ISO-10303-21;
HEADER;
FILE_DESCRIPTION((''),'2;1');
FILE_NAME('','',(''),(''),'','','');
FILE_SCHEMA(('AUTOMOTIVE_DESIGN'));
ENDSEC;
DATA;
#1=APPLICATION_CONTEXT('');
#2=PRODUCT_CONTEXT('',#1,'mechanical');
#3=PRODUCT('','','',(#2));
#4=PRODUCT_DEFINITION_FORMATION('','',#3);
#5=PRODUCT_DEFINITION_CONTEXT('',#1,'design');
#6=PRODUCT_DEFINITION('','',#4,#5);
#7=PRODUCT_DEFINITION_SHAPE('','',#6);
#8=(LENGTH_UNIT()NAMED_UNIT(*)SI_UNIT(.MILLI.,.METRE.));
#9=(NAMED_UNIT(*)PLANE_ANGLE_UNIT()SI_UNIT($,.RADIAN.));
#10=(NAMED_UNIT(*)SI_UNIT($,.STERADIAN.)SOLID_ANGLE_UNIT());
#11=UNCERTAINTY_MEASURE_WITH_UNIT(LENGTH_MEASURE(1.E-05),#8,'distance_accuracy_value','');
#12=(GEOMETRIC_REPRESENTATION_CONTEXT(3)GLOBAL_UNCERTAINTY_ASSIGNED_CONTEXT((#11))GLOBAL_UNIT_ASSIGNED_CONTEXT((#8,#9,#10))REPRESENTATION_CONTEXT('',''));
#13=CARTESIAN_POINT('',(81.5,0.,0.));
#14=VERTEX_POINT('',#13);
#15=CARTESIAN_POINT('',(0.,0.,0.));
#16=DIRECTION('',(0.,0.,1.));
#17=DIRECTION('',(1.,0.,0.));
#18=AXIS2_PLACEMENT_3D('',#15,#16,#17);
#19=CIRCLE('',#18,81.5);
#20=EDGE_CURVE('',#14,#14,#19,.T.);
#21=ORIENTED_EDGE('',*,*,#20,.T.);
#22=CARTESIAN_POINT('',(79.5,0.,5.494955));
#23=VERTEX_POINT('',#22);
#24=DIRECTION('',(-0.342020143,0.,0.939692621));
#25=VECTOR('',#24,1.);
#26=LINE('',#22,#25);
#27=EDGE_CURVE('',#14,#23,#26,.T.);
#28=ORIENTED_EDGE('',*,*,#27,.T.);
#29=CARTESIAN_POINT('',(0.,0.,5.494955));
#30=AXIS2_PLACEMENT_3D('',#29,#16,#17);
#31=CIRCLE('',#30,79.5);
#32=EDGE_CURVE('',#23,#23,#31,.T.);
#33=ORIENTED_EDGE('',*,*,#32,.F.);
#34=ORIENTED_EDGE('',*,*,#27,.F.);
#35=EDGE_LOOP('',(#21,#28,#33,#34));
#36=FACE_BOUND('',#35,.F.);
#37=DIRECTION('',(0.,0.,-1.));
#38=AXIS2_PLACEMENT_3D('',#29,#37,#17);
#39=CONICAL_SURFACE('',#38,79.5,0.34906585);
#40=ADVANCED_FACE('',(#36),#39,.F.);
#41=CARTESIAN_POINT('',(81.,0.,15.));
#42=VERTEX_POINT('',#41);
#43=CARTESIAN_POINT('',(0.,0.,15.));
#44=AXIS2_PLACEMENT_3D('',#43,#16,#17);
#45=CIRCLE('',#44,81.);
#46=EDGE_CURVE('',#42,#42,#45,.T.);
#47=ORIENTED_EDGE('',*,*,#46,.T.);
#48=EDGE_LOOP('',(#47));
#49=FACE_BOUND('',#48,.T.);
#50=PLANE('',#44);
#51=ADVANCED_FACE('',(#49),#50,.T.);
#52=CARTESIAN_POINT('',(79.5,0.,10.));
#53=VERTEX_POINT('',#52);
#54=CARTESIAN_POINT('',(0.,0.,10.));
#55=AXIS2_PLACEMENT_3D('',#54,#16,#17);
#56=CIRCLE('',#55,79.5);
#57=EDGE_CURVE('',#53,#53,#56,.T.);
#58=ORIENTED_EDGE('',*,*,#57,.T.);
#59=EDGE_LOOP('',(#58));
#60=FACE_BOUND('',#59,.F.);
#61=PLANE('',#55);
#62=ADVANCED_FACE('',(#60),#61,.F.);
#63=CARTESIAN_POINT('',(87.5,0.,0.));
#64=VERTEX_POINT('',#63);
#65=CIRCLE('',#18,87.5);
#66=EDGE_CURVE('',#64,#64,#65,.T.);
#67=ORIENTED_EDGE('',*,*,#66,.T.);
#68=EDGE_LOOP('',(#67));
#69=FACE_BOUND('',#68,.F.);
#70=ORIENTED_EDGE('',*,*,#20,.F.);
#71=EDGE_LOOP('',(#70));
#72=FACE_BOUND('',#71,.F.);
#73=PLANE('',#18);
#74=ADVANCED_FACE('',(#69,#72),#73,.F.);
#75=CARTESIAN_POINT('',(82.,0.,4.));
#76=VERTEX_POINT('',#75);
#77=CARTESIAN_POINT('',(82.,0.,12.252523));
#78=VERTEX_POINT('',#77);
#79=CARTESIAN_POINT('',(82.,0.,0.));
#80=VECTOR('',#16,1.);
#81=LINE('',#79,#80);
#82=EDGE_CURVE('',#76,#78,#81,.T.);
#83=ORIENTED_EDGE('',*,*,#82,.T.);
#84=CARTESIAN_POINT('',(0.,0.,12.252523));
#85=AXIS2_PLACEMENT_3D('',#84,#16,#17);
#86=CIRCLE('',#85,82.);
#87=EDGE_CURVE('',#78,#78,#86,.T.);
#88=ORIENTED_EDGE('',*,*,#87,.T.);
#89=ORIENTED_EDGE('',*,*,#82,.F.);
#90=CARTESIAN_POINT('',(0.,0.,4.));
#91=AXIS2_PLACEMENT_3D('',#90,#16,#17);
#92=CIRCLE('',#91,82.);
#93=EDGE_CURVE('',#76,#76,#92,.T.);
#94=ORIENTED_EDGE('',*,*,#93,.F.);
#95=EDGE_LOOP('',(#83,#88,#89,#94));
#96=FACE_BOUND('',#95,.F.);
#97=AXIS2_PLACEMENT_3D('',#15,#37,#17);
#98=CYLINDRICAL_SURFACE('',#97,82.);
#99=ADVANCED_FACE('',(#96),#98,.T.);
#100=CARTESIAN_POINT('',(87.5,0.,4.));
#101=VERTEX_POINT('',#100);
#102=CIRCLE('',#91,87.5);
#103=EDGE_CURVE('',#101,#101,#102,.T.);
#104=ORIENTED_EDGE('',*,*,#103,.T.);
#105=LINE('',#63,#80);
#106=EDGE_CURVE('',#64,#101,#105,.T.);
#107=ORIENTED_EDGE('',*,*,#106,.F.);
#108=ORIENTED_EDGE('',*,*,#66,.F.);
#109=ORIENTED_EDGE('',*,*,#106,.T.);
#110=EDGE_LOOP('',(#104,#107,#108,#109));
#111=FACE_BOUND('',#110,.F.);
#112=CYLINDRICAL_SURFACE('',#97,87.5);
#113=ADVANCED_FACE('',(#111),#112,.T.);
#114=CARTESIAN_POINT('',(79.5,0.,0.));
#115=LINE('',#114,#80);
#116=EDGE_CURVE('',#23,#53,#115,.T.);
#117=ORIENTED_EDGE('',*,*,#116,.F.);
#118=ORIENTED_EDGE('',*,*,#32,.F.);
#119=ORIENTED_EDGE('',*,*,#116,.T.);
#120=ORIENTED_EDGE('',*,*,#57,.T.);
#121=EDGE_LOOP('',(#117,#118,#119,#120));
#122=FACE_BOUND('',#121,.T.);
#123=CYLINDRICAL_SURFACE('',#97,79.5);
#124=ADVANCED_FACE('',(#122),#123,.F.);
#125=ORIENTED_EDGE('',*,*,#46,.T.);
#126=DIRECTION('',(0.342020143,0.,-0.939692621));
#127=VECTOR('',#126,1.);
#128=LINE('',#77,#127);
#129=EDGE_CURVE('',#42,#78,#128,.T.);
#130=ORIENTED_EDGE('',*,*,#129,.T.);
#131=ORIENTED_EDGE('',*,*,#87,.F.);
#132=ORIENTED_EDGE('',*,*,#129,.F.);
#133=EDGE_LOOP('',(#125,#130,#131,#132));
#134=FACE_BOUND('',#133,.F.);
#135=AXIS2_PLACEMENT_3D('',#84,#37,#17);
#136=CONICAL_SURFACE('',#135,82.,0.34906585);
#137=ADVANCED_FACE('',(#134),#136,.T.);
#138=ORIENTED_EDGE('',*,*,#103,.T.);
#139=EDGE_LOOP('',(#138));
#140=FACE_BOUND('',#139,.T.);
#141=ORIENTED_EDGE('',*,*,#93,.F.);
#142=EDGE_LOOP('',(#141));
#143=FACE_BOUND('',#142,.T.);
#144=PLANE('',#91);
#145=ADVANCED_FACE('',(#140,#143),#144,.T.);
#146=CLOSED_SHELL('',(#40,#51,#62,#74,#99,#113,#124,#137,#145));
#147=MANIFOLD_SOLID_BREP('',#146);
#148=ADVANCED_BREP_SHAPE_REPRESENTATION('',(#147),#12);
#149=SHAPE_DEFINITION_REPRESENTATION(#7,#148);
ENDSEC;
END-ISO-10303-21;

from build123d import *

# Parameters (mm, degrees)
F1_START = 10
F0_R     = 79.5
F1_DEPTH = 5
F0_R_2   = 82
F2_DEPTH = 15
F0_R_3   = 87.5
F3_DEPTH = 4
F4_SIZE2 = 2.7474774195
F4_SIZE  = 1
F5_SIZE2 = 5.4949548389
F5_SIZE  = 2


with BuildPart() as f1:
    # F0 (on Top) → F1 (new body)
    with BuildSketch(Plane.XY.offset(F1_START)):
        Circle(F0_R)
    extrude(amount=F1_DEPTH)

    # F0 (on Top) → F2 (join)
    with BuildSketch(Plane.XY):
        Circle(F0_R_2)
        Circle(F0_R, mode=Mode.SUBTRACT)
    extrude(amount=F2_DEPTH)

    # F0 (on Top) → F3 (join)
    with BuildSketch(Plane.XY):
        Circle(F0_R_3)
        Circle(F0_R_2, mode=Mode.SUBTRACT)
    extrude(amount=F3_DEPTH)

    # F4
    f4_edges = [f1.edges().sort_by_distance(p)[0] for p in [
        (-82, 0, 15),
    ]]
    f4_side = f1.faces().sort_by_distance((0, 0, 15))[0]
    chamfer(f4_edges, length=F4_SIZE, length2=F4_SIZE2, reference=f4_side)

    # F5
    f5_edges = [f1.edges().sort_by_distance(p)[0] for p in [
        (-79.5, 0, 0),
    ]]
    f5_side = f1.faces().sort_by_distance((-81.974874, 0, 0))[0]
    chamfer(f5_edges, length=F5_SIZE, length2=F5_SIZE2, reference=f5_side)


solid = f1.part
